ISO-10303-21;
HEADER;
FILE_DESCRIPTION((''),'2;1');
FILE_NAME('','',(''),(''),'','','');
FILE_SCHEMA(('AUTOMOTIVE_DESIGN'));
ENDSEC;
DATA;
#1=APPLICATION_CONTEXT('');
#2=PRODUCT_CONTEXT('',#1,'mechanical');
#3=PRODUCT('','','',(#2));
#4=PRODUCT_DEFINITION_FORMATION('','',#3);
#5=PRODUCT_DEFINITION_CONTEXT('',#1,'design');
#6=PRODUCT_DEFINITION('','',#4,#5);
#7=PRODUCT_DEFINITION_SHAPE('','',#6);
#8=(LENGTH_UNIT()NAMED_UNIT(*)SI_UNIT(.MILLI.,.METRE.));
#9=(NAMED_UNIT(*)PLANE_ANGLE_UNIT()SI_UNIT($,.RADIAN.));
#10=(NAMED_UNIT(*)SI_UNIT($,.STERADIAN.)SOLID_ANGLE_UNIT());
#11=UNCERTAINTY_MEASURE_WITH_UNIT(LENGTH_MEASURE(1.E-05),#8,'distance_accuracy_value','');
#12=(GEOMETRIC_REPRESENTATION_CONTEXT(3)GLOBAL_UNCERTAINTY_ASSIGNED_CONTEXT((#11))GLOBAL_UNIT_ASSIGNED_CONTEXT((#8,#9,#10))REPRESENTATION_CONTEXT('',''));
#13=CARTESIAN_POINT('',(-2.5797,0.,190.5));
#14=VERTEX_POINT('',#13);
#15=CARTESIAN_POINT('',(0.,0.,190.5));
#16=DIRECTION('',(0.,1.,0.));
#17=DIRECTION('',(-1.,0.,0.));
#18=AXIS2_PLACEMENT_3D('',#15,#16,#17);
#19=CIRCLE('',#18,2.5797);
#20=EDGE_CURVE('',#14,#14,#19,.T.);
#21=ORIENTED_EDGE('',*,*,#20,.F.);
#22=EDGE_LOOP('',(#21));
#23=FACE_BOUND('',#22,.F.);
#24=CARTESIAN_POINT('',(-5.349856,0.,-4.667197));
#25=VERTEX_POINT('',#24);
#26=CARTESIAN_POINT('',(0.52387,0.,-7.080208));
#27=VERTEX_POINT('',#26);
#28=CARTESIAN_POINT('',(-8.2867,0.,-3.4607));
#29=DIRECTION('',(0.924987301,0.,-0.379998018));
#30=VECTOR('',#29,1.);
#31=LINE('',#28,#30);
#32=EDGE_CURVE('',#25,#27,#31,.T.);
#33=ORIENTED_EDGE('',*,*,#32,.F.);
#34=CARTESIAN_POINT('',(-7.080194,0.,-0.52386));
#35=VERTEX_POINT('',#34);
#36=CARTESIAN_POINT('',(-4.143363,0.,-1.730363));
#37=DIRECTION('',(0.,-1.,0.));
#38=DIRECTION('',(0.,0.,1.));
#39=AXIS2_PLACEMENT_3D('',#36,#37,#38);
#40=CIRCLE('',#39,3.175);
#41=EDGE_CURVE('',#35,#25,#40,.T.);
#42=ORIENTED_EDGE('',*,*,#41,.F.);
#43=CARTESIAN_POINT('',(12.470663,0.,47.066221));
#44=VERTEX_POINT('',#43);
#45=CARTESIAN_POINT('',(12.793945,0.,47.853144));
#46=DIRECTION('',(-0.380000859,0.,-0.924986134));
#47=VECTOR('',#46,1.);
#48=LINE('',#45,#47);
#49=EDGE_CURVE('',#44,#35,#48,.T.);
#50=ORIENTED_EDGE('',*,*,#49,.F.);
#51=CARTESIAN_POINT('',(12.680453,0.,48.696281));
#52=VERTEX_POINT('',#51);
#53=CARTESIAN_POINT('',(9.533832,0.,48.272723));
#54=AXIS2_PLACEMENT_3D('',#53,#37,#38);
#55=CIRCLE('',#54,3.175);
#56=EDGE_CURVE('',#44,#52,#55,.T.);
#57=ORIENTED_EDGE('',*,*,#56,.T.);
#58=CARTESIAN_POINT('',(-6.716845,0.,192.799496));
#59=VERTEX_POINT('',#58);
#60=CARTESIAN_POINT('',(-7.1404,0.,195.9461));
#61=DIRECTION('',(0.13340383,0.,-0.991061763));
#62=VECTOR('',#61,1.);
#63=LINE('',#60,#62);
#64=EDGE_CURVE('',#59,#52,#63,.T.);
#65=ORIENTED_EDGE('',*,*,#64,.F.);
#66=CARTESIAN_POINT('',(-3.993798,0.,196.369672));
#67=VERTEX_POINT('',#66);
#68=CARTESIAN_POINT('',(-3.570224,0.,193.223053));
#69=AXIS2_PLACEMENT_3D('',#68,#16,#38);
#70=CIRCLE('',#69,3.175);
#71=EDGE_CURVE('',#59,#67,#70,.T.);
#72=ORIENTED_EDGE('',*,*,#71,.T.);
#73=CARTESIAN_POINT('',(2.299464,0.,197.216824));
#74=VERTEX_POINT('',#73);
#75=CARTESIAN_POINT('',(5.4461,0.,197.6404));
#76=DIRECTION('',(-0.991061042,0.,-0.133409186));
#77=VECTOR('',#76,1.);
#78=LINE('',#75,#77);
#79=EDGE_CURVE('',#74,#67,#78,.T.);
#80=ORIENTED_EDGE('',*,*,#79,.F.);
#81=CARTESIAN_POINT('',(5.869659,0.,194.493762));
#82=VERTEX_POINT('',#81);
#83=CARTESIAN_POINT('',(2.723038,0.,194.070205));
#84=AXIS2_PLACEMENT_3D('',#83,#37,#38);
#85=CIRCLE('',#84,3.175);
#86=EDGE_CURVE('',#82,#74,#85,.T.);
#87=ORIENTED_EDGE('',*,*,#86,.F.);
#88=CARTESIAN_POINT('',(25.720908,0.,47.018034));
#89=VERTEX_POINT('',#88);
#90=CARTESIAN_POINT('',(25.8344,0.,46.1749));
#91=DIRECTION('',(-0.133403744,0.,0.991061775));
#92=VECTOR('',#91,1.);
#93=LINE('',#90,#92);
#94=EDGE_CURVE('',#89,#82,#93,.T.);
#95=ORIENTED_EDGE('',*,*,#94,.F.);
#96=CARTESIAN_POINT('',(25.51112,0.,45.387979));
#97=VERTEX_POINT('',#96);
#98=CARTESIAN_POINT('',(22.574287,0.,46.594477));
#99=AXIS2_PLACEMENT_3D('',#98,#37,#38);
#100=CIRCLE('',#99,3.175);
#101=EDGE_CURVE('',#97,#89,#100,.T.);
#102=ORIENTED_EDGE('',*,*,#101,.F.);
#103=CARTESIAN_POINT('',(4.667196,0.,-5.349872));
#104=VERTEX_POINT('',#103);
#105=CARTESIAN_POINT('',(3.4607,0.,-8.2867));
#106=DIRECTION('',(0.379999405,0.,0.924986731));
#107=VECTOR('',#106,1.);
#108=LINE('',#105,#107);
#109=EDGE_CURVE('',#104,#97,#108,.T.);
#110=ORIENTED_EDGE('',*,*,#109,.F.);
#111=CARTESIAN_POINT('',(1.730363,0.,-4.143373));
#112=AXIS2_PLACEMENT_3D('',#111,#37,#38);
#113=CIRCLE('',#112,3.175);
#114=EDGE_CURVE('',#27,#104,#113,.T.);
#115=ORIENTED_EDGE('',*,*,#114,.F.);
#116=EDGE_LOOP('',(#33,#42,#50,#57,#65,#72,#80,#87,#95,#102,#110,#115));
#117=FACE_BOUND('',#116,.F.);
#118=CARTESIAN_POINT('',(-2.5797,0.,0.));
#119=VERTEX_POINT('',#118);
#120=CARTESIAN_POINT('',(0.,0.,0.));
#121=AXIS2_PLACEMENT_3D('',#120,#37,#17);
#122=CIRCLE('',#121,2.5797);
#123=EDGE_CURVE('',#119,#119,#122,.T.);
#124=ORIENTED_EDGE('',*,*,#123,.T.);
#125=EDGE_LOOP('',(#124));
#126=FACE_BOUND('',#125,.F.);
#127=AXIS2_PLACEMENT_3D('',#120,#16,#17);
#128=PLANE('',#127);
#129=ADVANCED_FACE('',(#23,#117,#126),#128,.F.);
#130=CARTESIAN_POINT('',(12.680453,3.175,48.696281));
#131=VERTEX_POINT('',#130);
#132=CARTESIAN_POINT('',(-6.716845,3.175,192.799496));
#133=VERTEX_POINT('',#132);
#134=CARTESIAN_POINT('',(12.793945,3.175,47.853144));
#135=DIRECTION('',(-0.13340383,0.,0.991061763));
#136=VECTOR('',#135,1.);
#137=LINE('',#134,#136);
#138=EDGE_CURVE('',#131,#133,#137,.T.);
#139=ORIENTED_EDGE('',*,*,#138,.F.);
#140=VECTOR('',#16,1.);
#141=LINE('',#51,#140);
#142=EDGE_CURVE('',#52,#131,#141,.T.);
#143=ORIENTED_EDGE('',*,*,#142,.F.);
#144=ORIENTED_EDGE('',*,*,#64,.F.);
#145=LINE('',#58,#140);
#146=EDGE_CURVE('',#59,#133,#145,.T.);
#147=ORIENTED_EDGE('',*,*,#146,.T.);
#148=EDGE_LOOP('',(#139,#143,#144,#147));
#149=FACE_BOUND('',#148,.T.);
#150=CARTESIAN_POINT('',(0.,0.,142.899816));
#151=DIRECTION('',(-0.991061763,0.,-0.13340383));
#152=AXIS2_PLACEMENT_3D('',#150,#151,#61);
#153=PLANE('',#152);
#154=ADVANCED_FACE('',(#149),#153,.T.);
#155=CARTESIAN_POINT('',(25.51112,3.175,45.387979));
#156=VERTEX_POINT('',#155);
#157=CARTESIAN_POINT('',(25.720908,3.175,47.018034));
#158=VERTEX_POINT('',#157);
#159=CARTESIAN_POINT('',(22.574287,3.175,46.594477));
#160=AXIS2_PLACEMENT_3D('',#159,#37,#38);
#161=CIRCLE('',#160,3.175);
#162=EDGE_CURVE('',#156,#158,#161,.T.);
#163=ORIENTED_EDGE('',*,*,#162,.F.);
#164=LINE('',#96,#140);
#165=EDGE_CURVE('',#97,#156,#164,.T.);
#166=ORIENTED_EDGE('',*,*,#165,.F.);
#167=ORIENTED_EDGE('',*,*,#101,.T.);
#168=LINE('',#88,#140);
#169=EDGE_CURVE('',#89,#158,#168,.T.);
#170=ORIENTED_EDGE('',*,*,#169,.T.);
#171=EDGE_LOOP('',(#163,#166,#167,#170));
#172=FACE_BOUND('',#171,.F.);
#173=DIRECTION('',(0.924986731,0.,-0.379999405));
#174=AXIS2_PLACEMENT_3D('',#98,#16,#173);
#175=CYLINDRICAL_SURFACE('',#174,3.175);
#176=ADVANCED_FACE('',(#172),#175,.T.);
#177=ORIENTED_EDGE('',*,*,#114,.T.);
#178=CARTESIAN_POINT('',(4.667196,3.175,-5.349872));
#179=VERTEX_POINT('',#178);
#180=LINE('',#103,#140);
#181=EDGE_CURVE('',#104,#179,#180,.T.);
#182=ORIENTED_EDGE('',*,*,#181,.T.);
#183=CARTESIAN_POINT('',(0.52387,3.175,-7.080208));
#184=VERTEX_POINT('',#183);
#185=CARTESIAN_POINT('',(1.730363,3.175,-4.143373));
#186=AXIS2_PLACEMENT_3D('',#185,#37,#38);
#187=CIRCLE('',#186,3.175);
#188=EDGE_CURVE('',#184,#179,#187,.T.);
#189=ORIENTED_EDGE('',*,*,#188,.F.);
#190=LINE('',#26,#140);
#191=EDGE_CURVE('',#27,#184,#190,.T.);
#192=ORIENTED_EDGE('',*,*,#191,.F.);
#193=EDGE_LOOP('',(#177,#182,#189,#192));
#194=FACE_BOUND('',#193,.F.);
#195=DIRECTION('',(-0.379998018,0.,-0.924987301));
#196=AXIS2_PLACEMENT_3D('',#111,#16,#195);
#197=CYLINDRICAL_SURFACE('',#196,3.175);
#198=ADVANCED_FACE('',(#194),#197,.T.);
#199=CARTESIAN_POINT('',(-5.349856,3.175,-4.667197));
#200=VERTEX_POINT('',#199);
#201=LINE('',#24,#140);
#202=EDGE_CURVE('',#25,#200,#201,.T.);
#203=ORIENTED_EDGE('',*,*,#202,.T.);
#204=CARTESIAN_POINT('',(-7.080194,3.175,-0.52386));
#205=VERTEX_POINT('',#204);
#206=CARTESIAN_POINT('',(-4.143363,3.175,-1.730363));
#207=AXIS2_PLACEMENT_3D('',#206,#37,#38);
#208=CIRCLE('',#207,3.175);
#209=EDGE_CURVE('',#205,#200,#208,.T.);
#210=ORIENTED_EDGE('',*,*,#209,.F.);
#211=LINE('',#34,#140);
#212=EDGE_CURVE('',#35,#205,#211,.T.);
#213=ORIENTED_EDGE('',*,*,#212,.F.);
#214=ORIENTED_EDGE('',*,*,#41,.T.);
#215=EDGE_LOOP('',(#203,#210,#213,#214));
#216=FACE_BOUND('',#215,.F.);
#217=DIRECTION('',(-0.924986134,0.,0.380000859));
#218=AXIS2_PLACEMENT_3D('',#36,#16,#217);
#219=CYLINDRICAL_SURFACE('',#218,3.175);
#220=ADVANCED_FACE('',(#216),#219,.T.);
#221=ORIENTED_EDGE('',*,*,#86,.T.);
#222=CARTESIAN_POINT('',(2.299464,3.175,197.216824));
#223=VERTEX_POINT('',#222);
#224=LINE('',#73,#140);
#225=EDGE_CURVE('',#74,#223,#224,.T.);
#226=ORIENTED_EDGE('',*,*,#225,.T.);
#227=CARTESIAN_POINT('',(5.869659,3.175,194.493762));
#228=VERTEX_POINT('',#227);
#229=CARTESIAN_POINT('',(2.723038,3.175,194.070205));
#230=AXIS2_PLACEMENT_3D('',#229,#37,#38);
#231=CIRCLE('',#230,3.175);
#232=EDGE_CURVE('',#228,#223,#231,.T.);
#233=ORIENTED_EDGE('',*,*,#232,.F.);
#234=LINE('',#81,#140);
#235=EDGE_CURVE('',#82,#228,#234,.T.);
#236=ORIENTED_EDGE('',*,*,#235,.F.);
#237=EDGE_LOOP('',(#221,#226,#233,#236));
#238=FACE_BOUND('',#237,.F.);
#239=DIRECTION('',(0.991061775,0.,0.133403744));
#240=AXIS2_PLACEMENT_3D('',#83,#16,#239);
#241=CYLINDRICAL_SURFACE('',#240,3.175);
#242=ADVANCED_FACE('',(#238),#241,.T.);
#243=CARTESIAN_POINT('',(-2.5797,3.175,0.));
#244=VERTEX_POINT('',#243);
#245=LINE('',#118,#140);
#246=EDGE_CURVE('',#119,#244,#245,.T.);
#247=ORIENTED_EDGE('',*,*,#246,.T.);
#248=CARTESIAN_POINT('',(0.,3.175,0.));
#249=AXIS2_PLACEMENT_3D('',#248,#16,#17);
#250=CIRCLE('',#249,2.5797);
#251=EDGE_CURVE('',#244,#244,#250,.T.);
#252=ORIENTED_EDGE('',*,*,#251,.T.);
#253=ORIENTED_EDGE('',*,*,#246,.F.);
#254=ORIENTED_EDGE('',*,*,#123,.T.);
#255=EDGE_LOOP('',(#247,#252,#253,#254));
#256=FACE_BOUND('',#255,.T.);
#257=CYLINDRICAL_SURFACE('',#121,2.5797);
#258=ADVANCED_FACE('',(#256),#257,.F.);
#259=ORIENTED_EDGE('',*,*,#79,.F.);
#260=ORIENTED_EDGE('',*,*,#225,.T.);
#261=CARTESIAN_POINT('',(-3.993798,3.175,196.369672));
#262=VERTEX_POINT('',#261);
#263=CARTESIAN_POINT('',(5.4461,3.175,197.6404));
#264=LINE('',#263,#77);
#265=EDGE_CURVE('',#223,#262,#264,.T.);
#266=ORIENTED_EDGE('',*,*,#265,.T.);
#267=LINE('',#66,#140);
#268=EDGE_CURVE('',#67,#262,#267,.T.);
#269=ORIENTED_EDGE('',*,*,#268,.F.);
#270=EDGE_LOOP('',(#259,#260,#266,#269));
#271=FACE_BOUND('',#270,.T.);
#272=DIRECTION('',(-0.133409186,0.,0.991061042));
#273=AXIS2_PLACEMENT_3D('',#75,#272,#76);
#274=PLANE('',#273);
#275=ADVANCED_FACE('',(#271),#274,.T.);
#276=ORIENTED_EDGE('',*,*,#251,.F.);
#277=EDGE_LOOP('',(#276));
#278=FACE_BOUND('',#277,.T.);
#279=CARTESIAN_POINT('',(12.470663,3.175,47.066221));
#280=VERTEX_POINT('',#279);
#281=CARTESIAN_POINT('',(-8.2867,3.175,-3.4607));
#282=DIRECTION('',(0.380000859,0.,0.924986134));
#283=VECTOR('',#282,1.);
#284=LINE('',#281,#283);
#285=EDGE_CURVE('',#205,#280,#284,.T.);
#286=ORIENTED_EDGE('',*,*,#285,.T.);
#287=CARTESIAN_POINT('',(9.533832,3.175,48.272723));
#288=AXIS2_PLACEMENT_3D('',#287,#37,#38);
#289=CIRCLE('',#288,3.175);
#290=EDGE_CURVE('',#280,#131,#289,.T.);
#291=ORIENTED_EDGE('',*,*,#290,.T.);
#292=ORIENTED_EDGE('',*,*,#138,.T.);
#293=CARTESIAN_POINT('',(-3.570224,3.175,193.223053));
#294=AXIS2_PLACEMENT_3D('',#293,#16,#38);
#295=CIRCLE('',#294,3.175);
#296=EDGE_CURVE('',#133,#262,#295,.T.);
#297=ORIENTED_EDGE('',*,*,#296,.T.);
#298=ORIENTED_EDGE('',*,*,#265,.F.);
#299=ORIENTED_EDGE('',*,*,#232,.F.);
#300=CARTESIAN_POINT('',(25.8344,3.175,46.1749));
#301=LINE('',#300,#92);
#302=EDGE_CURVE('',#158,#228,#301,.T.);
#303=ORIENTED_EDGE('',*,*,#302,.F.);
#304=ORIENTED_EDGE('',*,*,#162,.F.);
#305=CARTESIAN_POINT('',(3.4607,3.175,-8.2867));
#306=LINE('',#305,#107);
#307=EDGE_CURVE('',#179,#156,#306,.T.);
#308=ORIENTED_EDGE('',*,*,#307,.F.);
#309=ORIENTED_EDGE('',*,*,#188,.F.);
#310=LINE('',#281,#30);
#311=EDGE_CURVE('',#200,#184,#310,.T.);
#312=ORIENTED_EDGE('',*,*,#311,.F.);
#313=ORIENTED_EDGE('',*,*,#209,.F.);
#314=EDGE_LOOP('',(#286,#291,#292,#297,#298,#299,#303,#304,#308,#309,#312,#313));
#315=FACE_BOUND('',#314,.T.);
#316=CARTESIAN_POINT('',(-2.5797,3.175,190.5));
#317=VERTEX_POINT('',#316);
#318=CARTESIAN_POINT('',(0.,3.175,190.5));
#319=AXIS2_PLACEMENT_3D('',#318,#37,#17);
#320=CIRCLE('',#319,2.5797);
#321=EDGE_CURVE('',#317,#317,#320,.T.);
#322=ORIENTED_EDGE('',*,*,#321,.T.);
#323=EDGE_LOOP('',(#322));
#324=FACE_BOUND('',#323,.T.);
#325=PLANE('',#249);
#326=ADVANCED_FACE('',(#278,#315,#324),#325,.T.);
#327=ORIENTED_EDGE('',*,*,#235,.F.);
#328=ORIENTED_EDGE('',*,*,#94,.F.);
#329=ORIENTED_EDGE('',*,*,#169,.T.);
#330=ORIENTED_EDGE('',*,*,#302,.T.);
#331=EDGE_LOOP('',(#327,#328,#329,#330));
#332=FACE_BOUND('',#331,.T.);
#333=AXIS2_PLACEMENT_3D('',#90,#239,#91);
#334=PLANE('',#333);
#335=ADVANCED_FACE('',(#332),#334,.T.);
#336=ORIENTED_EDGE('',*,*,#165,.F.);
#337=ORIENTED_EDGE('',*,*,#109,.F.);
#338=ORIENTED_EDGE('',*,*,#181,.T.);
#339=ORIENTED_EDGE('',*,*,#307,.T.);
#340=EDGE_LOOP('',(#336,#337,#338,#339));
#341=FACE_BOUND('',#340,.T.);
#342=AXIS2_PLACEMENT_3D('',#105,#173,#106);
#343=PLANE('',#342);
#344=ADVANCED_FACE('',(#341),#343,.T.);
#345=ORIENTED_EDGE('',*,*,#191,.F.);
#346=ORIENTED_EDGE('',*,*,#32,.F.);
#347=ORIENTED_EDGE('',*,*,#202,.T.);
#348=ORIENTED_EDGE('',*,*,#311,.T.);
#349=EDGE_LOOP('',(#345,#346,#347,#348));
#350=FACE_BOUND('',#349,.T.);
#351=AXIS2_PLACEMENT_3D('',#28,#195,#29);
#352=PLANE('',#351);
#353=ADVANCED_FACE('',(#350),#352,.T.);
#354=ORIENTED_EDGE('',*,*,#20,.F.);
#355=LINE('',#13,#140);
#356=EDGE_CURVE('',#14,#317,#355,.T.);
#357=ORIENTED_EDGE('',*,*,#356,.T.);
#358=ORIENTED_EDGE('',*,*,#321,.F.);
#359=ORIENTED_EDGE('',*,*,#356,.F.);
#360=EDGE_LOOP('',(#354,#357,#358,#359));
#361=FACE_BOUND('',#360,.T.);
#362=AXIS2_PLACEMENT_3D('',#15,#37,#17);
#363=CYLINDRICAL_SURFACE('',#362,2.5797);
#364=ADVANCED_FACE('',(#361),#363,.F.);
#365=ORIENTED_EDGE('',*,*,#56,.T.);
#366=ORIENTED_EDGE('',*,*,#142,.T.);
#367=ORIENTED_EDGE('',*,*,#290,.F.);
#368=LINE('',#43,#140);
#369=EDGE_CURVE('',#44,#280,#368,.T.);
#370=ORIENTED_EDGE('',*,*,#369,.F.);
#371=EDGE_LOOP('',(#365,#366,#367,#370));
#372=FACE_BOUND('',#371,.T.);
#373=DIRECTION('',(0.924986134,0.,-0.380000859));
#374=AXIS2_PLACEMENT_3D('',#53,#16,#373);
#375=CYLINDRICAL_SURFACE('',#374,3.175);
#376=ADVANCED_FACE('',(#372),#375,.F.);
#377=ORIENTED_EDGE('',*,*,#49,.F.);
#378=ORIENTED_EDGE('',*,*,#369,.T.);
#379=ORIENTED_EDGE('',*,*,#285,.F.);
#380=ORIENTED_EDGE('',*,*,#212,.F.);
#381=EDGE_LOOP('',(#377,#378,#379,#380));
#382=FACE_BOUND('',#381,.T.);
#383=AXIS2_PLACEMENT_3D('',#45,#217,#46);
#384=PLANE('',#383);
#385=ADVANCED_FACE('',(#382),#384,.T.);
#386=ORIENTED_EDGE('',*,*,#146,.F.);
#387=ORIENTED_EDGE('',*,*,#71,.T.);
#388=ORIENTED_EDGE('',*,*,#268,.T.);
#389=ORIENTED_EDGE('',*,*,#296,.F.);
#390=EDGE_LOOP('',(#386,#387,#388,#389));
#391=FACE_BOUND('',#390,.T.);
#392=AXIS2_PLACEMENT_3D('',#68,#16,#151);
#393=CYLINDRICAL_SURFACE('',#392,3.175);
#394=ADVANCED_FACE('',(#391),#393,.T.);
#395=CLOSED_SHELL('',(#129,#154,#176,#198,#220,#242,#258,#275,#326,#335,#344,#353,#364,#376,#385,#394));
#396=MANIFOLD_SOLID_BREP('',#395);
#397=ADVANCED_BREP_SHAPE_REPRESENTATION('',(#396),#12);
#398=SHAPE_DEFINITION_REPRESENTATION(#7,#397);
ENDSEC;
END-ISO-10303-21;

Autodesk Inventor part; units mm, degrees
ref_plane "YZ Plane" through (0, 0, 0) normal (1, 0, 0) x (0, 1, 0)
ref_plane "XZ Plane" through (0, 0, 0) normal (0, 1, 0) x (-1, 0, 0)
ref_plane "XY Plane" through (0, 0, 0) normal (0, 0, 1) x (1, 0, 0)
sketch "Sketch1" plane through (0, 0, 0) normal (0, 1, 0) x (-1, 0, 0)
  line L0 (0, 0) -> (0, 190.5)
  line L1 (0, 190.5) -> (-19.3142, 47.0141)
  line L2 (-19.3142, 47.0141) -> (0, 0)
  line L3 (8.2867, -3.4607) -> (-3.4607, -8.2867)
  line L4 (-3.4607, -8.2867) -> (-25.8344, 46.1749)
  line L5 (-25.8344, 46.1749) -> (-14.0871, 51.0009)
  line L6 (-14.0871, 51.0009) -> (8.2867, -3.4607)
  line L7 (-5.4461, 197.6404) -> (7.1404, 195.9461)
  line L8 (7.1404, 195.9461) -> (-13.2479, 44.4807)
  line L9 (-13.2479, 44.4807) -> (-25.8344, 46.1749)
  line L10 (-25.8344, 46.1749) -> (-5.4461, 197.6404)
  circle A0 centre (0, 0) radius 2.5797
  circle A1 centre (-19.3142, 47.0141) radius 2.5797
  circle A2 centre (0, 190.5) radius 2.5797
  point P0 (0.8471, 196.7932)
  point P1 (2.413, -5.8737)
  point P2 (-12.7939, 47.8532)
  dimension "d0" = 150
  dimension "d1" = 190.5
  dimension "d2" = 144.78
  dimension "d3" = 12.7
  dimension "d4" = 5.1594
  dimension "d5" = 6.35
  dimension "d6" = 6.35
extrude "Extrusion1" add sketch "Sketch1" along normal blind 3.175 contours A0 L2 A1 L9 L8 L6 L0 | L0 L6 L3 L4 L9 A1 L2 A0 | A1 L9 L2 | L2 L9 A1 | L8 L6 L5 A1 L1 A2 L0 | L0 A2 L1 A1 L5 L10 L7 L8 | L8 L9 A1 L5 L6 | L9 A1 L5 L1 L2 | L2 L1 L5 A1 L9 | L9 L5 A1 | A1 L1 L5 | L5 L1 A1
fillet "Fillet1" radius 3.175 6 edges at (-7.1404, 1.5875, 195.9461) (5.4461, 1.5875, 197.6404) (25.8344, 1.5875, 46.1749) (12.7939, 1.5875, 47.8532) (3.4607, 1.5875, -8.2867) (-8.2867, 1.5875, -3.4607)
properties part number "PB IN"
